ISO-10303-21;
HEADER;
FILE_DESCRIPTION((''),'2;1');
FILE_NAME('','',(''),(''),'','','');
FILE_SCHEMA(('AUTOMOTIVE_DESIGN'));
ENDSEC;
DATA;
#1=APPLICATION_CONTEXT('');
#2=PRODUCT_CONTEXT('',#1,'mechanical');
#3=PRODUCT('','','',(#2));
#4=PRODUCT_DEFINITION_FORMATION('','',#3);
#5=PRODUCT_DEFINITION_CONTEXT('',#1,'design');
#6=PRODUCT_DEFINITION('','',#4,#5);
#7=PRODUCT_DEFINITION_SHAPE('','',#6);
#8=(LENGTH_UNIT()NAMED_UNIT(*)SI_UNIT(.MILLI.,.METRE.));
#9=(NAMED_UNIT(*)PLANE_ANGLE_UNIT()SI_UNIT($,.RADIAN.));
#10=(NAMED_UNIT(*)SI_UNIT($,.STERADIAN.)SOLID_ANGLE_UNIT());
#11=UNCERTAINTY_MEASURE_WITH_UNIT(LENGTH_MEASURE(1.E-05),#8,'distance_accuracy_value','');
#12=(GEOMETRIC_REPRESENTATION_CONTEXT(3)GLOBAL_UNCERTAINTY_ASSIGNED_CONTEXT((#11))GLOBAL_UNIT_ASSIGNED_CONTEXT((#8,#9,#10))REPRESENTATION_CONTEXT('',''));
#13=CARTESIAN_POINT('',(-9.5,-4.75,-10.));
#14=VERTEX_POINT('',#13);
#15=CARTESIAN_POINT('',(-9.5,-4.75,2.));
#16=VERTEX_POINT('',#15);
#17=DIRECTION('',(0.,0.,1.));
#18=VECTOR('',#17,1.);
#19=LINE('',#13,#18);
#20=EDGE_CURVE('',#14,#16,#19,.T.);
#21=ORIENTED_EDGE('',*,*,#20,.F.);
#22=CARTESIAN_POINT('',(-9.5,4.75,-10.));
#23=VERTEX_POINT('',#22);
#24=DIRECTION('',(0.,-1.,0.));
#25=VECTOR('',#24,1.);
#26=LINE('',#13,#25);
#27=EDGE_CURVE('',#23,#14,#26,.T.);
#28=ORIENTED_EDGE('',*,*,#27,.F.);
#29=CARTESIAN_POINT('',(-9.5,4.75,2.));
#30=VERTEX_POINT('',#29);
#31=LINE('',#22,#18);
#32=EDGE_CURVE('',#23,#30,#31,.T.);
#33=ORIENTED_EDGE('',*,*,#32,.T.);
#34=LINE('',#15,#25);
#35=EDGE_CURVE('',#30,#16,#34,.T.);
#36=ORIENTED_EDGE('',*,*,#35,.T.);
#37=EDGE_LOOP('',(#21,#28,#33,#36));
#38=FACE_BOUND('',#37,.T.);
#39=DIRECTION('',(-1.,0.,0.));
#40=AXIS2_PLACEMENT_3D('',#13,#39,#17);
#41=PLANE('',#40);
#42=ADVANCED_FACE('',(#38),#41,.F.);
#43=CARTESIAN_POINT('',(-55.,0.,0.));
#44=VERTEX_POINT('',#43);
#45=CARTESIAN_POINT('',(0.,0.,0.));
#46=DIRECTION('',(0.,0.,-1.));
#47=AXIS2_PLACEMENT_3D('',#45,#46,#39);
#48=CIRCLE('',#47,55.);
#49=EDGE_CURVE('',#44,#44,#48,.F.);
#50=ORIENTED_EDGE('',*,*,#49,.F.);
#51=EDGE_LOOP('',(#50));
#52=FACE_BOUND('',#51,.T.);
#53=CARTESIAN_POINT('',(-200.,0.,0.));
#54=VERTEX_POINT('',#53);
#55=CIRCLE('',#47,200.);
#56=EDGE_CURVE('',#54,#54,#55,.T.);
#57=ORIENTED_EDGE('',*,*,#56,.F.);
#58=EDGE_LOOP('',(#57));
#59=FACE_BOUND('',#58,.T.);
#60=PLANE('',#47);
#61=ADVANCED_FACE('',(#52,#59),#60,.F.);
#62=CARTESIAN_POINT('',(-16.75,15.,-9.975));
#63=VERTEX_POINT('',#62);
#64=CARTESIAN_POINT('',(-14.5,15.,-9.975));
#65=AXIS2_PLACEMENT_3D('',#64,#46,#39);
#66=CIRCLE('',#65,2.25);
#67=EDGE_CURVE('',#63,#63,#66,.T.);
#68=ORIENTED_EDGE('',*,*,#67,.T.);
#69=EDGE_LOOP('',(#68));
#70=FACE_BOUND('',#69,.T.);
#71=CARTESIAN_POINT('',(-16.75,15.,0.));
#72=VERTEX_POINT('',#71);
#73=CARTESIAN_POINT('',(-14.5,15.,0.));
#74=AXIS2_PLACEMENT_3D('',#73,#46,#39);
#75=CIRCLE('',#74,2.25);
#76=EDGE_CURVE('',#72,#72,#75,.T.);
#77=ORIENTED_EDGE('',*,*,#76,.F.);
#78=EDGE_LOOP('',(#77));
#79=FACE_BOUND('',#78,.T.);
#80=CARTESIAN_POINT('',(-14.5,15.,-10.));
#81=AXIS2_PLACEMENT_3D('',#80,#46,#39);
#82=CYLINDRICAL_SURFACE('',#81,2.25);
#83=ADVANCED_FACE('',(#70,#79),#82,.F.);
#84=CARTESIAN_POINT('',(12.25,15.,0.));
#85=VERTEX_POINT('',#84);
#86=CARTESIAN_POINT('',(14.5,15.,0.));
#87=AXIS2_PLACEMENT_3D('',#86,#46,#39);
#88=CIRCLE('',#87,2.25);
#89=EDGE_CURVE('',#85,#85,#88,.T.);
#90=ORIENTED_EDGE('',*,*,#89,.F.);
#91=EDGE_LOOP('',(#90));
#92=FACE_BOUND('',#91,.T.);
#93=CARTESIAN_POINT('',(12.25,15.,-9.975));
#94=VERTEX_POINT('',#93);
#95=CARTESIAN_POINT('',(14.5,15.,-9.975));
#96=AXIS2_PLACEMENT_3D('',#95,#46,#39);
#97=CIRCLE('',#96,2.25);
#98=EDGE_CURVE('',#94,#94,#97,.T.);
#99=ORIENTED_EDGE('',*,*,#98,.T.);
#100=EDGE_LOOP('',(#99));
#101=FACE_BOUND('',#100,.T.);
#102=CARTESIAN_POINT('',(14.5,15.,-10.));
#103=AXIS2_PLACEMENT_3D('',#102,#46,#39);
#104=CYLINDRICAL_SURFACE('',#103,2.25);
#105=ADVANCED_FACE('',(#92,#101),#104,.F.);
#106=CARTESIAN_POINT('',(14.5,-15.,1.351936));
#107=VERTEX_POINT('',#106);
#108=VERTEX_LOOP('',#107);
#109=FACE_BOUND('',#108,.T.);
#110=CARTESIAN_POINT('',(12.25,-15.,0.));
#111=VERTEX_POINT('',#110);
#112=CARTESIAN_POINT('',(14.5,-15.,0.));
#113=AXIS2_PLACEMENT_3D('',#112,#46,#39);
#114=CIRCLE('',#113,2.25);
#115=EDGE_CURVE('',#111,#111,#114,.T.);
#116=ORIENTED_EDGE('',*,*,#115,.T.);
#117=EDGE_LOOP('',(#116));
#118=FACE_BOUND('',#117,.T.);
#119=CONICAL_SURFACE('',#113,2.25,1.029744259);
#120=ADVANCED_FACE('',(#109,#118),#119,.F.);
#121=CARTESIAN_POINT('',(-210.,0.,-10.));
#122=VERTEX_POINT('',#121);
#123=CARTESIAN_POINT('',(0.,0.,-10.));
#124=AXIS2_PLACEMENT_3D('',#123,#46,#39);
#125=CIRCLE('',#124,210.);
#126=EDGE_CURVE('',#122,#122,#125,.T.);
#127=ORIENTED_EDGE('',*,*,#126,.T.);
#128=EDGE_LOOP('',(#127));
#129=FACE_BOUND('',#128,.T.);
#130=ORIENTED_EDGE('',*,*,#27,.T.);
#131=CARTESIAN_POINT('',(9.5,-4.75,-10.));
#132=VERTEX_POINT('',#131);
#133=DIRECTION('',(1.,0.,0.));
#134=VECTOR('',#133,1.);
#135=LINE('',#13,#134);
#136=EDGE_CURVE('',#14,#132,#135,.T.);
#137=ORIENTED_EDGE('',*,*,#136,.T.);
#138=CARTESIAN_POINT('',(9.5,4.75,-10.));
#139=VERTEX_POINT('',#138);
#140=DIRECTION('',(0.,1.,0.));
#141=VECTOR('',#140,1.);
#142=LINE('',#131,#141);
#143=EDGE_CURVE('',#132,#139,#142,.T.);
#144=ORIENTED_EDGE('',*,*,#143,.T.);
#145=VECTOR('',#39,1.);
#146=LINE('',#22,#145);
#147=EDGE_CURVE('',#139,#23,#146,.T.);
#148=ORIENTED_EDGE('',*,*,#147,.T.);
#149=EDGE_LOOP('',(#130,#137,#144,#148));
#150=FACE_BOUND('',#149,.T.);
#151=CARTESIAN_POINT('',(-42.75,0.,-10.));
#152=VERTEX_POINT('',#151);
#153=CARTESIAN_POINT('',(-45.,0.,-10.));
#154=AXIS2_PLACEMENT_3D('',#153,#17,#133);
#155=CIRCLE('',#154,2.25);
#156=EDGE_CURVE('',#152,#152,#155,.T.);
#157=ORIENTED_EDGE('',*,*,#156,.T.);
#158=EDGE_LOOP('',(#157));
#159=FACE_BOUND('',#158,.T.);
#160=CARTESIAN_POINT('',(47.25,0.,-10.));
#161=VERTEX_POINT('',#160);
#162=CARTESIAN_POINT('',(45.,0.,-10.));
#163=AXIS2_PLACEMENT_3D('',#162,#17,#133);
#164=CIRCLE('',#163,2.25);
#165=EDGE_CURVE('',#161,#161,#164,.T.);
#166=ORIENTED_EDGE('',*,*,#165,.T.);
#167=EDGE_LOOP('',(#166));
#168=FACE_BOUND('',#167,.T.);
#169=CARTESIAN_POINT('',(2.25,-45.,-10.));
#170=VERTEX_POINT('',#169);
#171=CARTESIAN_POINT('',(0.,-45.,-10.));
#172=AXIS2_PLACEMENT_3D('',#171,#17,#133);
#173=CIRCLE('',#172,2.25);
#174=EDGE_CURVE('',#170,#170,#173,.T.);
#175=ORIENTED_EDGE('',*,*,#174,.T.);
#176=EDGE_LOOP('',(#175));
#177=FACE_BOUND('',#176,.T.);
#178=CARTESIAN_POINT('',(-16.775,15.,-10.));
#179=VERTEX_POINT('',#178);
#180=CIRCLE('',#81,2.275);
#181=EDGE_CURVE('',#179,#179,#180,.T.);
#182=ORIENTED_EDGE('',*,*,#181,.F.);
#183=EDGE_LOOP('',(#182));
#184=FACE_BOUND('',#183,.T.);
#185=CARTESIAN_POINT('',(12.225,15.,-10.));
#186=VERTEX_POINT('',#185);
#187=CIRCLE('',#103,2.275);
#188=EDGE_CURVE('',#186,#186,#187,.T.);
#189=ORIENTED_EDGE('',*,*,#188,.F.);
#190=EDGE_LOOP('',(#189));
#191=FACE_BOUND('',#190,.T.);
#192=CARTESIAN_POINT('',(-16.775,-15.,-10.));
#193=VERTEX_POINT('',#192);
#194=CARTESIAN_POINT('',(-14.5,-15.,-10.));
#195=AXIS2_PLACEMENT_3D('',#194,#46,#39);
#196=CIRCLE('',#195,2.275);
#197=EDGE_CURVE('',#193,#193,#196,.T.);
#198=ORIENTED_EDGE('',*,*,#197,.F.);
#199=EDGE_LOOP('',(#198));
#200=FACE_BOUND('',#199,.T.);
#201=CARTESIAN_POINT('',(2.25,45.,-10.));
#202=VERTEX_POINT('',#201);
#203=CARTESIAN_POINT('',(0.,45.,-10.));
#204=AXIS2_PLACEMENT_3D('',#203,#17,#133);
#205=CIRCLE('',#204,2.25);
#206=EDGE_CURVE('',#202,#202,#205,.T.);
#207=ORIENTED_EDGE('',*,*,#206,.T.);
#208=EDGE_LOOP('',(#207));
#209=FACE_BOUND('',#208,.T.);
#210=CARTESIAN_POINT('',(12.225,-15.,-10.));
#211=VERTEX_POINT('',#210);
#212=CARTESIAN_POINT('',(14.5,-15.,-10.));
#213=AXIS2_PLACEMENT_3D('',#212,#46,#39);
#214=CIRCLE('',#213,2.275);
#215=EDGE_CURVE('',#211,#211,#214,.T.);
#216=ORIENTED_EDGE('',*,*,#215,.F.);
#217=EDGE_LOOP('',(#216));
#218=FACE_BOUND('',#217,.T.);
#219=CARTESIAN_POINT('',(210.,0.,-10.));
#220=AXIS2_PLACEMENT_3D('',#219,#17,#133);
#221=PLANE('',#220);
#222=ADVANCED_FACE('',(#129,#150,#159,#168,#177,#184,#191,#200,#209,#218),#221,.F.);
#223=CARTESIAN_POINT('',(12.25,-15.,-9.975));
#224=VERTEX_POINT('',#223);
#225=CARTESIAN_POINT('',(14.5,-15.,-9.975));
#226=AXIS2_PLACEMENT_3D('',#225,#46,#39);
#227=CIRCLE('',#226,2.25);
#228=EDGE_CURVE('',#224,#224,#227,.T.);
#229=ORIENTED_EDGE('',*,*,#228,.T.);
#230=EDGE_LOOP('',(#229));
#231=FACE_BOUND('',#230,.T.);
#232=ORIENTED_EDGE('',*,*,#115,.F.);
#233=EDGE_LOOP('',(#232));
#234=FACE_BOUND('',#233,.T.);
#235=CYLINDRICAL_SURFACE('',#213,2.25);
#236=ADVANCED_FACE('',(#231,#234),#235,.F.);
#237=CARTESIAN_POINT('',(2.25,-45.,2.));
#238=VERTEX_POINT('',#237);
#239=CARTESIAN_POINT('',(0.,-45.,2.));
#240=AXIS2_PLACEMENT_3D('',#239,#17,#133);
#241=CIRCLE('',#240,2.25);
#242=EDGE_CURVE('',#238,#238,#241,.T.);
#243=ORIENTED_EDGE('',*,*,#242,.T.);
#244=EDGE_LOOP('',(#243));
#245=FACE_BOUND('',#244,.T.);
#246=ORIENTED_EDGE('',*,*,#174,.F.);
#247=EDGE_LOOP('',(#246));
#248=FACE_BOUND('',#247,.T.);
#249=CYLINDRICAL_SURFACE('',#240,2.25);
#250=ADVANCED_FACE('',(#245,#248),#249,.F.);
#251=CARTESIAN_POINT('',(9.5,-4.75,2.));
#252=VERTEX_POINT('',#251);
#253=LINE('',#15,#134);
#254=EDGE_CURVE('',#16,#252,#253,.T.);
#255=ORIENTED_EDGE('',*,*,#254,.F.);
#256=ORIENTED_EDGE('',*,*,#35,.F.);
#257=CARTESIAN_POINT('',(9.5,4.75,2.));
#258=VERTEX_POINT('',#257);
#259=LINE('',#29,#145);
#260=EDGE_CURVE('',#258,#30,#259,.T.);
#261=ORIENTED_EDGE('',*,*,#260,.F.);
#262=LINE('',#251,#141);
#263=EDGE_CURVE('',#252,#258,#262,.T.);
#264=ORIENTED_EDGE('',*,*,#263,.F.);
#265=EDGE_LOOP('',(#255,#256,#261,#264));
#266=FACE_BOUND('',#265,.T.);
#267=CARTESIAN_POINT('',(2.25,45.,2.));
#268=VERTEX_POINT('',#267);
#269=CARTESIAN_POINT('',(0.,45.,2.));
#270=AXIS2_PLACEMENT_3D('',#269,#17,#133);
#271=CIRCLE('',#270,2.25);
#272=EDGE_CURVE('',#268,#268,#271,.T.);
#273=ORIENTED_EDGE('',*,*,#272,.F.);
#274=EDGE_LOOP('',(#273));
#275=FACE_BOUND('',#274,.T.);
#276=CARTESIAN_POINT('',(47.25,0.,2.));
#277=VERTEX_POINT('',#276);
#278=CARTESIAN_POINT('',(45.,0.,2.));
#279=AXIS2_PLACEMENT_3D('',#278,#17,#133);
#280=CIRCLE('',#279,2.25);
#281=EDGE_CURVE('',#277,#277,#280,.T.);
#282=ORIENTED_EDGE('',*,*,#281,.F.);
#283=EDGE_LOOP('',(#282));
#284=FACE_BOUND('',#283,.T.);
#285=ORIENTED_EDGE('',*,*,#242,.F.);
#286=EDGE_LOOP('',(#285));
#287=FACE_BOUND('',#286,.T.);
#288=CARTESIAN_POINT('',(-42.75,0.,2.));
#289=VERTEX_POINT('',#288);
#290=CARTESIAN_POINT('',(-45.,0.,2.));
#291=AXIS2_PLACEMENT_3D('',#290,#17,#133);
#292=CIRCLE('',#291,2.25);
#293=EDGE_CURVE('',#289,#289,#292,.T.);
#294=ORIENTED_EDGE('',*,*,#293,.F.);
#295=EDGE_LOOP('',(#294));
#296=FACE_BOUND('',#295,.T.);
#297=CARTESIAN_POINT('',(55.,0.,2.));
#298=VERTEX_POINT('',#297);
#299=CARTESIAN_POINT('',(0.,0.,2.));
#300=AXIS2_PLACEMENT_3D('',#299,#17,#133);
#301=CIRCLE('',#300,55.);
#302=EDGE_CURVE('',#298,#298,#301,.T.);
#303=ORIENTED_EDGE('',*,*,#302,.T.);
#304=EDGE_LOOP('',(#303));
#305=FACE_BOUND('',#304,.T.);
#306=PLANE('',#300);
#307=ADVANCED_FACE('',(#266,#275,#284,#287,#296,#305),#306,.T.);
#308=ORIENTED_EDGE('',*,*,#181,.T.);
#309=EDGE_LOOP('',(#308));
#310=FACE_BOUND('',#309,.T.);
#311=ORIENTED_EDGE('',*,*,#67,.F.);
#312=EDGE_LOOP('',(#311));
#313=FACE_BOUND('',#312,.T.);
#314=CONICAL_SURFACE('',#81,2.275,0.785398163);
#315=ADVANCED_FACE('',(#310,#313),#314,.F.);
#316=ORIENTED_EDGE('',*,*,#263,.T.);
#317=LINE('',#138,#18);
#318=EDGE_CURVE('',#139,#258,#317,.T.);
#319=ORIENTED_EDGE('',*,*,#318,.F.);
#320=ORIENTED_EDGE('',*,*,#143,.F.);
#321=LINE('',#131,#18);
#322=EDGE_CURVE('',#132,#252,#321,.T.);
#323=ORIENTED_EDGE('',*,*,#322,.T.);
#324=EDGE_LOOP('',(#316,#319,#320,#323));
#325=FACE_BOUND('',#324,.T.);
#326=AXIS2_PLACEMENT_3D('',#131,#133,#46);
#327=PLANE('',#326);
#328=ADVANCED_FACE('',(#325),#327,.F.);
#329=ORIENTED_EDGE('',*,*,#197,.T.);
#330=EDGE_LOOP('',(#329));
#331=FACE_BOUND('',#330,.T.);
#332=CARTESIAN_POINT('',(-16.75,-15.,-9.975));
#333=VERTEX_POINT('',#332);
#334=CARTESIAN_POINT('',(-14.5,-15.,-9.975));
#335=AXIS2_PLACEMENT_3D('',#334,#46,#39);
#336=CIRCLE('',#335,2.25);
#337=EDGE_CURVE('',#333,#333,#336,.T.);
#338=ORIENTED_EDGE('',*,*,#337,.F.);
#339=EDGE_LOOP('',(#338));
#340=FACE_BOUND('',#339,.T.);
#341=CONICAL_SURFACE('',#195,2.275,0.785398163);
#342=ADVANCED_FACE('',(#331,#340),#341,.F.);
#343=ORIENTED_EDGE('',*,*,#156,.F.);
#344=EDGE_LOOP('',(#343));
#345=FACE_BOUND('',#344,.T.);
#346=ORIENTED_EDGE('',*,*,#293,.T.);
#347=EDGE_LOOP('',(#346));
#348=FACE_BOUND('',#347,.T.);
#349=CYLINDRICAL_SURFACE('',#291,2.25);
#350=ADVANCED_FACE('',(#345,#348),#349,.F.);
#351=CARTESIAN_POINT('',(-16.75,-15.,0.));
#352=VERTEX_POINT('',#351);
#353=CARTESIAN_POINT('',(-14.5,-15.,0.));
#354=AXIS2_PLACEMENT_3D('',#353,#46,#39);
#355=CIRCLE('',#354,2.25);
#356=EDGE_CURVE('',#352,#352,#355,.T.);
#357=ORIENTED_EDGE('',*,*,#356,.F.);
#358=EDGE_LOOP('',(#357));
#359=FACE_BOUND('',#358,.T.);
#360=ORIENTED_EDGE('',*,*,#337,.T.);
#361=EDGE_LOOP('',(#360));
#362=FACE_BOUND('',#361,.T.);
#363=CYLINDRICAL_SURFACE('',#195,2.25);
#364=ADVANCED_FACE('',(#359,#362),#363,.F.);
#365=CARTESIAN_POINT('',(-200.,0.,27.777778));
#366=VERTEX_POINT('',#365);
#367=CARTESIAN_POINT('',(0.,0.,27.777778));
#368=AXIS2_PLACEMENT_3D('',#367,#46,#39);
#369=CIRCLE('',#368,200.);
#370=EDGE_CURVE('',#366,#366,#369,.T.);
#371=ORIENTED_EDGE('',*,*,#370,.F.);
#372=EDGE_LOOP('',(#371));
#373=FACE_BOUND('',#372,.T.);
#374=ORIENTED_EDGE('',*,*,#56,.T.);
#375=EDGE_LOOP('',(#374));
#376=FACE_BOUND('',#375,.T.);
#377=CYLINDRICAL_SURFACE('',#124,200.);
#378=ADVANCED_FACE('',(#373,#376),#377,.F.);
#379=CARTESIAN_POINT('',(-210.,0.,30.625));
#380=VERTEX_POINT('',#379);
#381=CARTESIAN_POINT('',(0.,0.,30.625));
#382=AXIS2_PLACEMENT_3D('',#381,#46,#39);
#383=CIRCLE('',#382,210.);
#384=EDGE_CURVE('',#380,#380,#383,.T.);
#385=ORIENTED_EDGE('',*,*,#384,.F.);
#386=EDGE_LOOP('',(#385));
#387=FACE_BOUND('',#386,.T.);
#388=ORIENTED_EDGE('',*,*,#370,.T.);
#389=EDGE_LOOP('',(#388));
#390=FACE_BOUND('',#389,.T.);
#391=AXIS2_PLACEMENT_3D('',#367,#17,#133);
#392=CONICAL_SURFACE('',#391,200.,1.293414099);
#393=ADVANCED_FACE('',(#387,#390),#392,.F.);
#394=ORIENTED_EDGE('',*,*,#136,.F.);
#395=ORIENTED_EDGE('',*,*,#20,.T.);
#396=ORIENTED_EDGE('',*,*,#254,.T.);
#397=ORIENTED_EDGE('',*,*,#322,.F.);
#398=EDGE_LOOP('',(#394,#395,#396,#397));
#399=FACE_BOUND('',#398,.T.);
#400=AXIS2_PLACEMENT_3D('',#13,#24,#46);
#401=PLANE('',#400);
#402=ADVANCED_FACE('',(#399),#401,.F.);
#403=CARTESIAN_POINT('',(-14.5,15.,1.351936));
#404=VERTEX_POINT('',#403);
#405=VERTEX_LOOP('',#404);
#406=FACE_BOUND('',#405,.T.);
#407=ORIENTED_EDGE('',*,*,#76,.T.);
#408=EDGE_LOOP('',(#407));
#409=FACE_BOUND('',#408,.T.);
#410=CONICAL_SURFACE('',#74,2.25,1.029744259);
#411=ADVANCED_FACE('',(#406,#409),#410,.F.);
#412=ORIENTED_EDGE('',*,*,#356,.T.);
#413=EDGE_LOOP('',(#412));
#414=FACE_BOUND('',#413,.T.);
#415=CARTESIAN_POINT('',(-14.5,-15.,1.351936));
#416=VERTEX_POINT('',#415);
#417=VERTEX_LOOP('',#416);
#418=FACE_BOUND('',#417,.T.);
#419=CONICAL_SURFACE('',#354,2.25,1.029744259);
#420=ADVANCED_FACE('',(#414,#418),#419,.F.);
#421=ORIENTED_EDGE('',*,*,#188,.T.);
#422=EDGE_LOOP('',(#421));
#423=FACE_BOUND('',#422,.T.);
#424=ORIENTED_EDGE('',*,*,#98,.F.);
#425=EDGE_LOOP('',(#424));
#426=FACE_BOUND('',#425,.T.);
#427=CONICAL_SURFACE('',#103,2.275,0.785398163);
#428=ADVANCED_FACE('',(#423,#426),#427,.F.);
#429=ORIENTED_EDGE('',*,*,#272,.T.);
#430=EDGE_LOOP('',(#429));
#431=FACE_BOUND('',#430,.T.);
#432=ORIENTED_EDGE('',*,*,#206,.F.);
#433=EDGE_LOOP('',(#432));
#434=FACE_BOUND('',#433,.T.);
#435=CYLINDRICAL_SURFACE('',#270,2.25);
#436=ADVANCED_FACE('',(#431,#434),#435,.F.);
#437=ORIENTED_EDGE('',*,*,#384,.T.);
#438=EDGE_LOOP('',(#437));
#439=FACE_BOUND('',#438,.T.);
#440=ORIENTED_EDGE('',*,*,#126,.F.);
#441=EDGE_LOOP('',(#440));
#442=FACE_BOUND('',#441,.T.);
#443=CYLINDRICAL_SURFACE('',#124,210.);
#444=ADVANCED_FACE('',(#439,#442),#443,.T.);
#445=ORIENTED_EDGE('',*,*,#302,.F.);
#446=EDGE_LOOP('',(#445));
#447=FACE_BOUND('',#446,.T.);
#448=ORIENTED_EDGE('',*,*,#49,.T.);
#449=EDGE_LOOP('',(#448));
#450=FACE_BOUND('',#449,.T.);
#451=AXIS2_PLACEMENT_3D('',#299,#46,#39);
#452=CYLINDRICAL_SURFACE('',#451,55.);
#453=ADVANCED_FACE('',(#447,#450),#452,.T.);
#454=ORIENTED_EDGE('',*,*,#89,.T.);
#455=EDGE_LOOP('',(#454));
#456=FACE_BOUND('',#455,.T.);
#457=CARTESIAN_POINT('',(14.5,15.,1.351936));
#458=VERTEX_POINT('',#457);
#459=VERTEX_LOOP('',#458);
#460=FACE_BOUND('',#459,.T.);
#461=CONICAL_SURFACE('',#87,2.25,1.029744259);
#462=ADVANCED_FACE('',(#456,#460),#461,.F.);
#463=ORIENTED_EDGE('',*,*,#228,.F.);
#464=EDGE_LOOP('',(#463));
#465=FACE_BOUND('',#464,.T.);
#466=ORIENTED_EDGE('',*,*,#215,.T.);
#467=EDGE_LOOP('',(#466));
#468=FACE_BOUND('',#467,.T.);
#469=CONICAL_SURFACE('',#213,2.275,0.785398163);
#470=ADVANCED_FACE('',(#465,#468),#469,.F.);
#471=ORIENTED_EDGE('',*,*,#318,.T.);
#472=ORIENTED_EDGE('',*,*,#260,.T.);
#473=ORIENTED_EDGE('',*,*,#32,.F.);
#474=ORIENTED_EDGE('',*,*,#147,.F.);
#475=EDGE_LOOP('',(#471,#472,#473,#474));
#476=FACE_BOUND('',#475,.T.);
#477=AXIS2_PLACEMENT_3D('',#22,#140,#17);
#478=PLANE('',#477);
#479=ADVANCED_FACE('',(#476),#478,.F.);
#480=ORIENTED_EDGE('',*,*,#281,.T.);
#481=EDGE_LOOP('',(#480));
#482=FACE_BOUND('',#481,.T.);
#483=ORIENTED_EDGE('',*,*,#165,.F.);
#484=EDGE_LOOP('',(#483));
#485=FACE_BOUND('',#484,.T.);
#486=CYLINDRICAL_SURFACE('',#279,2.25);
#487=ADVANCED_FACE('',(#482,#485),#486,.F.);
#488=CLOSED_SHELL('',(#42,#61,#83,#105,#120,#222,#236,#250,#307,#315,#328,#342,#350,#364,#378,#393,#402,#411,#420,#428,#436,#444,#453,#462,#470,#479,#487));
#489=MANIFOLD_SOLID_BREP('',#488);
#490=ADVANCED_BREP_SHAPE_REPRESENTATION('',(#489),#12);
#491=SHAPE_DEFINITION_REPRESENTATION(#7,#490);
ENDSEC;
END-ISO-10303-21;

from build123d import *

# Parameters (mm, degrees)
CUT_EXTRUDE_1_DEPTH         = 299.559693571
CUT_EXTRUDE_1_DEPTH_BACK    = 299.559693571
SKETCH_2_W                  = 19
SKETCH_2_H                  = 9.5
SKETCH_3_R                  = 55
EXTRUDE_1_DEPTH             = 2
SKETCH_4_W                  = 19
SKETCH_4_H                  = 9.5
CUT_EXTRUDE_2_DEPTH         = 2
HOLE_WIZARD_M41_D           = 4.5
PATTERN_CIRCULAR_1_COUNT    = 4
HOLE_WIZARD_M42_D           = 4.5
HOLE_WIZARD_M42_DEPTH       = 10
HOLE_WIZARD_M42_CSINK_D     = 4.55
HOLE_WIZARD_M42_CSINK_ANGLE = 90
HOLE_WIZARD_M42_TIP         = 1.351936393


with BuildPart() as part:
    # Эскиз1 → Повернуть1 (revolve)
    with BuildSketch(Plane(origin=(0, 0, 0), x_dir=(1, 0, 0), z_dir=(0, 1, 0))):
        Polygon((0, 0), (200, 0), (200, -27.777777778), (210, -30.625), (210, 10), (0, 10), align=None)
    revolve(axis=Axis((0, 0, -10), (0, 0, 1)))

    # Эскиз2 → Вырез-Вытянуть1 (cut, two sides: drawn at the far end of the back side and taken through both)
    with BuildSketch(Plane.XY.offset(-CUT_EXTRUDE_1_DEPTH_BACK)):
        Rectangle(SKETCH_2_W, SKETCH_2_H)
    extrude(amount=CUT_EXTRUDE_1_DEPTH + CUT_EXTRUDE_1_DEPTH_BACK, mode=Mode.SUBTRACT)

    # Эскиз3 → Бобышка-Вытянуть1 (add)
    with BuildSketch(Plane.XY):
        Circle(SKETCH_3_R)
    extrude(amount=EXTRUDE_1_DEPTH)

    # Эскиз4 → Вырез-Вытянуть2 (cut)
    with BuildSketch(Plane.XY.offset(2)):
        Rectangle(SKETCH_4_W, SKETCH_4_H)
    extrude(amount=-CUT_EXTRUDE_2_DEPTH, mode=Mode.SUBTRACT)

    # Отверстие с зазором M41 (through all)
    with Locations(Plane(origin=(0, 45, 2), x_dir=(1, 0, 0), z_dir=(0, 0, 1))):
        with Locations((0, 0)):
            hole_wizard_m41 = Hole(HOLE_WIZARD_M41_D / 2)

    # Круговой массив1: Отверстие с зазором M41 ×4 about axis
    pattern_circular_1_axis = Axis((0, 0, 0), (0, 0, 1))
    for i in range(1, PATTERN_CIRCULAR_1_COUNT):
        add(hole_wizard_m41.rotate(pattern_circular_1_axis, i * 360 / PATTERN_CIRCULAR_1_COUNT), mode=Mode.SUBTRACT)

    # Отверстие с зазором M42
    with Locations(Plane(origin=(-14.5, 15, -10), x_dir=(-1, 0, 0), z_dir=(0, 0, -1))):
        with Locations((0, 0), (-29, 0), (-29, -30), (0, -30)):
            CounterSinkHole(HOLE_WIZARD_M42_D / 2, HOLE_WIZARD_M42_CSINK_D / 2, depth=HOLE_WIZARD_M42_DEPTH, counter_sink_angle=HOLE_WIZARD_M42_CSINK_ANGLE)
            with Locations((0, 0, -(HOLE_WIZARD_M42_DEPTH + HOLE_WIZARD_M42_TIP / 2))):  # 118° drill point
                Cone(0, HOLE_WIZARD_M42_D / 2, HOLE_WIZARD_M42_TIP, mode=Mode.SUBTRACT)


solid = part.part
